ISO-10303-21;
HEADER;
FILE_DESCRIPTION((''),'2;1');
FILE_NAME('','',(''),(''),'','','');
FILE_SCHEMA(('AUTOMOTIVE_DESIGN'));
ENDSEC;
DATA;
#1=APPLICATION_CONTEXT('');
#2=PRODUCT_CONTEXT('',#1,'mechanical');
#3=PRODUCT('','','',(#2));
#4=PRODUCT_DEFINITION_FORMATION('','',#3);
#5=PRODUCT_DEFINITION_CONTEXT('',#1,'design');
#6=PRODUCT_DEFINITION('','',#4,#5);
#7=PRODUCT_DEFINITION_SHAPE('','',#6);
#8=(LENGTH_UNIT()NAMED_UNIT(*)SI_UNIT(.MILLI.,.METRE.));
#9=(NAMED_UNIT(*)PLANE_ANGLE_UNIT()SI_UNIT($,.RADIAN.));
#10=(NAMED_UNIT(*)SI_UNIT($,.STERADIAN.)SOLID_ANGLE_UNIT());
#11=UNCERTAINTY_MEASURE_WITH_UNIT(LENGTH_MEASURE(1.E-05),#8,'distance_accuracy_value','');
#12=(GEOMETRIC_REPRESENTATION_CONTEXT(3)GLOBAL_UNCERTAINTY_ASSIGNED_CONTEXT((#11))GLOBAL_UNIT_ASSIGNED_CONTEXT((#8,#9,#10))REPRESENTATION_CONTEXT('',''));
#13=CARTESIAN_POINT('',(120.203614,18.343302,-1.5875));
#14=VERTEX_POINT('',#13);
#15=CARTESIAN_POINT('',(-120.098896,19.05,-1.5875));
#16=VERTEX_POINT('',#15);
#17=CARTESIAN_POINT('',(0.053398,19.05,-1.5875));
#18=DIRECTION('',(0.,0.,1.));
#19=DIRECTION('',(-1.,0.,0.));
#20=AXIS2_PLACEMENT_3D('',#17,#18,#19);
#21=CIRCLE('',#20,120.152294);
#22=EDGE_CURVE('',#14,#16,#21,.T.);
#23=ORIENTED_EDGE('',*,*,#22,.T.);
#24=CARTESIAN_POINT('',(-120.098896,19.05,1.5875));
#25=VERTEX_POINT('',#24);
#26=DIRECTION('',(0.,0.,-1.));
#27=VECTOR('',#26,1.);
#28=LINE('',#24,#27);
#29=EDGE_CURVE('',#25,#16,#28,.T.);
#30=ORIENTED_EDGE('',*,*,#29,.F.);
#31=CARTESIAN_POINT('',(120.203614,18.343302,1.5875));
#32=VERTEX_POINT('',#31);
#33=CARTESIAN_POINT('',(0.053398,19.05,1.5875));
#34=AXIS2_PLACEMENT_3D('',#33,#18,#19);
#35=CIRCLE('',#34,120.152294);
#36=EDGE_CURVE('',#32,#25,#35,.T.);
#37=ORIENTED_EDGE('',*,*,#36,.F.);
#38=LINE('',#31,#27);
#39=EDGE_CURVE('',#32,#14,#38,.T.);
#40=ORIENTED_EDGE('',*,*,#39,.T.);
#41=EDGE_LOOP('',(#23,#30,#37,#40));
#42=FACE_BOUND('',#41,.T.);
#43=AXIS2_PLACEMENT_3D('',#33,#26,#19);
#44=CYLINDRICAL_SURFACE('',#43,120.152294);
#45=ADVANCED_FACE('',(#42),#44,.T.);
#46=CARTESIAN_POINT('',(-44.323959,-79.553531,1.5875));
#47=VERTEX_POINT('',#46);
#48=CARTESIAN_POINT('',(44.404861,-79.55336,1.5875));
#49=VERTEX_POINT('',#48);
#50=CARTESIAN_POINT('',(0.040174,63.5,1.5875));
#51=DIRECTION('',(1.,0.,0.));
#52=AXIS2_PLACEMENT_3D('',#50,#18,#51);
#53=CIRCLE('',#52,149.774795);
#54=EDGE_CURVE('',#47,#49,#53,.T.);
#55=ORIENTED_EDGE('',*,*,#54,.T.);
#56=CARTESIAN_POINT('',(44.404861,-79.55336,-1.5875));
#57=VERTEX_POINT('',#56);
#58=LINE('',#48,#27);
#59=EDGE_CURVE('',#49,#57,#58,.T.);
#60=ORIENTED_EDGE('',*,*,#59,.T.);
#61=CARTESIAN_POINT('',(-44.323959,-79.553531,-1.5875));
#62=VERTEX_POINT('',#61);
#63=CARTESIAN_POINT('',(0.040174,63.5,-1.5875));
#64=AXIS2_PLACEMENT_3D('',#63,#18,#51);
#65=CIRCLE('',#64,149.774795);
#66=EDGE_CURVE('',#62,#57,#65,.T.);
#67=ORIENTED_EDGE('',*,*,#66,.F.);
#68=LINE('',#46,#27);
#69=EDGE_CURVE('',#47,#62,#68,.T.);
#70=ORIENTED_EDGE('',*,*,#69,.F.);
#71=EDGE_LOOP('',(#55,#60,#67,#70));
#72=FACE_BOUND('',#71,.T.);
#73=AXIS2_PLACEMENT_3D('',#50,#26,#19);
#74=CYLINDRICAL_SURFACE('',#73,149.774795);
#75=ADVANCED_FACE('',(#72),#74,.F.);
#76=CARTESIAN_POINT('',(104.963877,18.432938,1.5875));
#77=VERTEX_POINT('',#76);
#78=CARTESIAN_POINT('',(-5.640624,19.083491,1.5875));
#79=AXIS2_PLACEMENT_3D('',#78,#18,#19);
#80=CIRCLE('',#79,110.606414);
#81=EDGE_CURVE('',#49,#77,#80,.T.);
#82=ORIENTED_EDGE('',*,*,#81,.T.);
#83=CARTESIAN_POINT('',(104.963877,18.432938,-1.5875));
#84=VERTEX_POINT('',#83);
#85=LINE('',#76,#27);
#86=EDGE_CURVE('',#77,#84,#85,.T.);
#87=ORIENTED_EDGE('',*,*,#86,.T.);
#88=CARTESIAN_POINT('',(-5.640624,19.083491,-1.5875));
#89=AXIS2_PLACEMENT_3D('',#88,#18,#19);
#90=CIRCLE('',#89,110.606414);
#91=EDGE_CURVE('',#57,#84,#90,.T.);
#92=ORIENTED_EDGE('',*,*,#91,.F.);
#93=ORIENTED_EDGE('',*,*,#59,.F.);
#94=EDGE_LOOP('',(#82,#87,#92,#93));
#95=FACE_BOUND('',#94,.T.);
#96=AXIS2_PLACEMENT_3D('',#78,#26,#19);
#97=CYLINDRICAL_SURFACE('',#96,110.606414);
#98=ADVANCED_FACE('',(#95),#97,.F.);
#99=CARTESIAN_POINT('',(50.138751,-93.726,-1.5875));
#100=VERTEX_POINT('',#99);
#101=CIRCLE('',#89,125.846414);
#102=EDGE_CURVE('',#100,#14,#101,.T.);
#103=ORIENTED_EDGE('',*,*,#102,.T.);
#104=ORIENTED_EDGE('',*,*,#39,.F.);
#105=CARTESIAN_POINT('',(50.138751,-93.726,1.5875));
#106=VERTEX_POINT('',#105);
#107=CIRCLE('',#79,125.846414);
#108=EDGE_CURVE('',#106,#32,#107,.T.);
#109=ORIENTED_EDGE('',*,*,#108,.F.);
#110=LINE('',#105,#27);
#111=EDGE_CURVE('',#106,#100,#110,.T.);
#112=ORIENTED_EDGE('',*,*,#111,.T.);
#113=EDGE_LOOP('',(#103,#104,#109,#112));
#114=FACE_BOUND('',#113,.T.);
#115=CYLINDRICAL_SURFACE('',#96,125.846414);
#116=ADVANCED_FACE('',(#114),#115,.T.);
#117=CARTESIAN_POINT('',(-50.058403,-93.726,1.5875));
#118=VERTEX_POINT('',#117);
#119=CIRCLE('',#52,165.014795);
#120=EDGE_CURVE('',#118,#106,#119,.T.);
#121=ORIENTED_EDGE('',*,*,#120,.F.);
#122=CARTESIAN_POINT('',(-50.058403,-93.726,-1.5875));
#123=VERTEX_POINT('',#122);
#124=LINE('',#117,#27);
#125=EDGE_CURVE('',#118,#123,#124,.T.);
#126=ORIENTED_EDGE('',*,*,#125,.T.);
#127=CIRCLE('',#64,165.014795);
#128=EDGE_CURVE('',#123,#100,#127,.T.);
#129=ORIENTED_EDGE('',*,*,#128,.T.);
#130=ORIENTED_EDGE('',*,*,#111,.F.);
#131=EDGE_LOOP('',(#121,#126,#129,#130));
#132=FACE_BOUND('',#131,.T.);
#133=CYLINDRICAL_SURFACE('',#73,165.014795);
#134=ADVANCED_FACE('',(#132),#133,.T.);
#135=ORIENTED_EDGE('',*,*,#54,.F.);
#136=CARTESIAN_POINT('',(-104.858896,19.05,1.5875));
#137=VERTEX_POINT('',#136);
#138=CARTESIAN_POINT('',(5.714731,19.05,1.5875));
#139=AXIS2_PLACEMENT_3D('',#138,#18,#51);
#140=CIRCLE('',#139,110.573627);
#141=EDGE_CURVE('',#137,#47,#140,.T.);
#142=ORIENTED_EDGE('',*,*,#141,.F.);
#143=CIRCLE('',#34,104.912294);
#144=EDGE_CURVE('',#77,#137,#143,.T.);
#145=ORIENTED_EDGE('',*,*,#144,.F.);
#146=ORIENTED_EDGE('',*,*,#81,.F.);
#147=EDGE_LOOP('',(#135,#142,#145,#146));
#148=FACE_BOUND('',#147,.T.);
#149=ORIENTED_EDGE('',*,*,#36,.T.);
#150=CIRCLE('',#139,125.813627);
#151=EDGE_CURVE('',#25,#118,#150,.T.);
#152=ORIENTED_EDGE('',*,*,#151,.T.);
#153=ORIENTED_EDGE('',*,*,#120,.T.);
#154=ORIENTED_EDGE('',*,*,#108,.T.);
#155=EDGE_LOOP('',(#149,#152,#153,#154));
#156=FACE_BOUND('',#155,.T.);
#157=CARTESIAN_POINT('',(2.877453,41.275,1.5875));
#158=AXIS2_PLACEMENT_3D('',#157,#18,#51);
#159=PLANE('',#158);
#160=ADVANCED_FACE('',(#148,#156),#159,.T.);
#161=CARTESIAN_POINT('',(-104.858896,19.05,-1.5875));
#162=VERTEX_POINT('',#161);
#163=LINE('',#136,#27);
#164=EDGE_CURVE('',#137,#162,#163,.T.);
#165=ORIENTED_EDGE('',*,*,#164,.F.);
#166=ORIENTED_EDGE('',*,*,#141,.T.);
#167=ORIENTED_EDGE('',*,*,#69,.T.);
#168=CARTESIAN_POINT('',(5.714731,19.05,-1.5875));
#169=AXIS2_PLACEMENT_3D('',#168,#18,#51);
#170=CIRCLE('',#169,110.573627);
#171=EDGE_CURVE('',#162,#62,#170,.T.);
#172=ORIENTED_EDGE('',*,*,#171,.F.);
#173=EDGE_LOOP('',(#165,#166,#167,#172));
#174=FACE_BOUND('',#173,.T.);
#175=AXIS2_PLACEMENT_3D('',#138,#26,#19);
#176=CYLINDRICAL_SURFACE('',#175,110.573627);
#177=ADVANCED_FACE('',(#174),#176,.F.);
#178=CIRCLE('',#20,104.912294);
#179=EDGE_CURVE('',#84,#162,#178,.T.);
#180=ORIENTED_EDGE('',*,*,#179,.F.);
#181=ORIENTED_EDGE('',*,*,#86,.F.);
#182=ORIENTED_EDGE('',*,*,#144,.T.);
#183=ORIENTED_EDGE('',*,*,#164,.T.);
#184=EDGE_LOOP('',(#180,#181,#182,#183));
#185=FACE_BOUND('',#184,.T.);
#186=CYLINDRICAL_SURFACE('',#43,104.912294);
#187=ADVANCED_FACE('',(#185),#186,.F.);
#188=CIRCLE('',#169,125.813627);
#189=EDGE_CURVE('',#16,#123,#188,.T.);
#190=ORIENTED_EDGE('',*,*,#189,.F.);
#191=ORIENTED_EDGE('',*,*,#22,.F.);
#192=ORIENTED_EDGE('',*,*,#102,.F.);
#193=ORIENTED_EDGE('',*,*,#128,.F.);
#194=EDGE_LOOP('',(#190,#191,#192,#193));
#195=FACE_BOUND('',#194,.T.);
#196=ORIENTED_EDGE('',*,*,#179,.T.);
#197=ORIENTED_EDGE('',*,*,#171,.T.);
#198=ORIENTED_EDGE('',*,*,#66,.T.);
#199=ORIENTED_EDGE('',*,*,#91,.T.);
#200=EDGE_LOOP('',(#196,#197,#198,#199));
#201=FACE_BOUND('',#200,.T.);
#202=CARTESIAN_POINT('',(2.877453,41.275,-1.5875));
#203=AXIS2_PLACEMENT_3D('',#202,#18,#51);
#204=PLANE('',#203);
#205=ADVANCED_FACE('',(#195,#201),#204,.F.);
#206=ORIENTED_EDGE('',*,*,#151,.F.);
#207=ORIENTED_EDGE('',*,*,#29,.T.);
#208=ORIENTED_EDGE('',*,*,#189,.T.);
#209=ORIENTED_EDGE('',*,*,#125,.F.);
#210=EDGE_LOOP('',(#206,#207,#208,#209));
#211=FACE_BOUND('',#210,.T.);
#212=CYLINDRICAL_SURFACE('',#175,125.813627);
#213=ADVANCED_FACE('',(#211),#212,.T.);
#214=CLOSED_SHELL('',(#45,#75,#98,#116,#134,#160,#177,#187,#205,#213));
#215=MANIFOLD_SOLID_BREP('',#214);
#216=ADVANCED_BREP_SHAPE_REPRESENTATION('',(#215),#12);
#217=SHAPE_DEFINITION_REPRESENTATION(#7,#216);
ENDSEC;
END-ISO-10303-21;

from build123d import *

# Parameters (mm, degrees)
BOSS_EXTRUDE1_DEPTH = 1.5875


with BuildPart() as part:
    # Sketch2 → Boss-Extrude1 (new, symmetric)
    with BuildSketch(Plane.XY):
        with BuildLine():
            ThreePointArc((-120.098895727, 19.05), (0.406748907, 139.2017743), (120.203613722, 18.343301545))
            ThreePointArc((120.203613722, 18.343301545), (101.067699546, -47.629728931), (50.138751442, -93.726))
            ThreePointArc((50.138751442, -93.726), (0.040174098, -101.514794876), (-50.058403246, -93.726))
            ThreePointArc((-50.058403246, -93.726), (-101.163912713, -47.327889321), (-120.098895727, 19.05))
        make_face()
        with BuildLine():
            ThreePointArc((-104.858895727, 19.05), (0.361930242, 123.961840203), (104.963877332, 18.432938489))
            ThreePointArc((104.963877332, 18.432938489), (88.446745877, -39.065849025), (44.40486057, -79.553359885))
            ThreePointArc((44.40486057, -79.553359885), (0.040463589, -86.274794876), (-44.323959374, -79.553531384))
            ThreePointArc((-44.323959374, -79.553531384), (-88.517658334, -38.801393502), (-104.858895727, 19.05))
        make_face(mode=Mode.SUBTRACT)
    extrude(amount=BOSS_EXTRUDE1_DEPTH, both=True)


solid = part.part
